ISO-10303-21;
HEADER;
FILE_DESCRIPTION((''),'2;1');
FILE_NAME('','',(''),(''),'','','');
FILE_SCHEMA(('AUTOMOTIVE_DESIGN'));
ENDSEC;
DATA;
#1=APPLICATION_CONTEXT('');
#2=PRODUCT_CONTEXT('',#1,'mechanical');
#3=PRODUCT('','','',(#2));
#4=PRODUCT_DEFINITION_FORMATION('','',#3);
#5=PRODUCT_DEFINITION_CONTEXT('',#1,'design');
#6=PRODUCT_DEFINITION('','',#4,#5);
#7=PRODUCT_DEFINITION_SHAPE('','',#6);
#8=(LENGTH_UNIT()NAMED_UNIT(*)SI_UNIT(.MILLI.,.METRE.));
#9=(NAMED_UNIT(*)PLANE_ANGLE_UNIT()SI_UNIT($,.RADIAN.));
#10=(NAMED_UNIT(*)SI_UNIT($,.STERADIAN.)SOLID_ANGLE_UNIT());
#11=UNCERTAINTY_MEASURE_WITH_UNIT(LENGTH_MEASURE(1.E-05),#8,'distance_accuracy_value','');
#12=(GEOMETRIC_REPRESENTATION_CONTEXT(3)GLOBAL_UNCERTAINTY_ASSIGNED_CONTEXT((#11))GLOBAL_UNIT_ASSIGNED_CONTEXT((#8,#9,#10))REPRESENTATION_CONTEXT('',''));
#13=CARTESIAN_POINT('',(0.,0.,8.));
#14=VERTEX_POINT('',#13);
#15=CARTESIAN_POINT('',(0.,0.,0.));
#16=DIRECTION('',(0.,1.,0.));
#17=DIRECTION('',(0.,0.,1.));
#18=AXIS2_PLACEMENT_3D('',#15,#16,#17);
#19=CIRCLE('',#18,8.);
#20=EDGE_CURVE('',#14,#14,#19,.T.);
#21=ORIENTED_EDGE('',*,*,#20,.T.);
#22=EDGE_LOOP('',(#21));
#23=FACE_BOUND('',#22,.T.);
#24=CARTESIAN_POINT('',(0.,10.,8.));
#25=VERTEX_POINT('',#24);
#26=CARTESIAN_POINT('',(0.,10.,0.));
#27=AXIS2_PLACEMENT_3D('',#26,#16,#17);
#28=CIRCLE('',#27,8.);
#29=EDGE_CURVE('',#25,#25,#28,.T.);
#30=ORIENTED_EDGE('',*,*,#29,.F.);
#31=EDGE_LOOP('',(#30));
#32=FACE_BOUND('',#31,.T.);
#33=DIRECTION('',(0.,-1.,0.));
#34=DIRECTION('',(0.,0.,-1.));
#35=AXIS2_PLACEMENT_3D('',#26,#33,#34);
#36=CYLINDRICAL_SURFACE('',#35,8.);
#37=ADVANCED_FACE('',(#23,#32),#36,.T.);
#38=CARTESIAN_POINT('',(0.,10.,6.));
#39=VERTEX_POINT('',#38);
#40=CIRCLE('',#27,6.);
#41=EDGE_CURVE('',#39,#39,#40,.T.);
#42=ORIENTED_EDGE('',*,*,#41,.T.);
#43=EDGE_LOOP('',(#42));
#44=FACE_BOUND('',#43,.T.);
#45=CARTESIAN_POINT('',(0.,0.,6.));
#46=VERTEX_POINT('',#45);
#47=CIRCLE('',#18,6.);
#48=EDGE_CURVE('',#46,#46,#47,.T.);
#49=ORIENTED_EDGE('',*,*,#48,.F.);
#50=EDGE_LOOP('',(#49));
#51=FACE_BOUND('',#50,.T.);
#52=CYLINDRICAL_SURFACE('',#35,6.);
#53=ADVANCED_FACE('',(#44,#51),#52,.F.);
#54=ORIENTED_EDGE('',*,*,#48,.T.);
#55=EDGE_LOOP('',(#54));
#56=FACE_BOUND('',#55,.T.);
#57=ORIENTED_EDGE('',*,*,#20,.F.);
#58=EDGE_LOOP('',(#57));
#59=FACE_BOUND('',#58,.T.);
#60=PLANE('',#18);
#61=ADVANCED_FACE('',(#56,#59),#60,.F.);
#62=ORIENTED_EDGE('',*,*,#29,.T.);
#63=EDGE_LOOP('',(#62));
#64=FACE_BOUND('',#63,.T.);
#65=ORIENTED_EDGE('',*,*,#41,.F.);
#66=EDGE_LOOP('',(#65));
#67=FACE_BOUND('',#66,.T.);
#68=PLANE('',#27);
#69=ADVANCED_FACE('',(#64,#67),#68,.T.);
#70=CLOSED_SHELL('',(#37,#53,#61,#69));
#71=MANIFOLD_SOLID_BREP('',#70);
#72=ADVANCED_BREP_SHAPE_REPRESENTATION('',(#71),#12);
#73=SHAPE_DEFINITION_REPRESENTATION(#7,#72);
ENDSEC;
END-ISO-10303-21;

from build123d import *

# Parameters (mm, degrees)
SKETCH_1_R      = 8
SKETCH_1_R_2    = 6
EXTRUDE_1_DEPTH = 10


with BuildPart() as part:
    # ｽｹｯﾁ1 → ﾎﾞｽ - 押し出し1 (new body)
    with BuildSketch(Plane(origin=(0, 0, 0), x_dir=(1, 0, 0), z_dir=(0, 1, 0))):
        Circle(SKETCH_1_R)
        Circle(SKETCH_1_R_2, mode=Mode.SUBTRACT)
    extrude(amount=EXTRUDE_1_DEPTH)


solid = part.part
